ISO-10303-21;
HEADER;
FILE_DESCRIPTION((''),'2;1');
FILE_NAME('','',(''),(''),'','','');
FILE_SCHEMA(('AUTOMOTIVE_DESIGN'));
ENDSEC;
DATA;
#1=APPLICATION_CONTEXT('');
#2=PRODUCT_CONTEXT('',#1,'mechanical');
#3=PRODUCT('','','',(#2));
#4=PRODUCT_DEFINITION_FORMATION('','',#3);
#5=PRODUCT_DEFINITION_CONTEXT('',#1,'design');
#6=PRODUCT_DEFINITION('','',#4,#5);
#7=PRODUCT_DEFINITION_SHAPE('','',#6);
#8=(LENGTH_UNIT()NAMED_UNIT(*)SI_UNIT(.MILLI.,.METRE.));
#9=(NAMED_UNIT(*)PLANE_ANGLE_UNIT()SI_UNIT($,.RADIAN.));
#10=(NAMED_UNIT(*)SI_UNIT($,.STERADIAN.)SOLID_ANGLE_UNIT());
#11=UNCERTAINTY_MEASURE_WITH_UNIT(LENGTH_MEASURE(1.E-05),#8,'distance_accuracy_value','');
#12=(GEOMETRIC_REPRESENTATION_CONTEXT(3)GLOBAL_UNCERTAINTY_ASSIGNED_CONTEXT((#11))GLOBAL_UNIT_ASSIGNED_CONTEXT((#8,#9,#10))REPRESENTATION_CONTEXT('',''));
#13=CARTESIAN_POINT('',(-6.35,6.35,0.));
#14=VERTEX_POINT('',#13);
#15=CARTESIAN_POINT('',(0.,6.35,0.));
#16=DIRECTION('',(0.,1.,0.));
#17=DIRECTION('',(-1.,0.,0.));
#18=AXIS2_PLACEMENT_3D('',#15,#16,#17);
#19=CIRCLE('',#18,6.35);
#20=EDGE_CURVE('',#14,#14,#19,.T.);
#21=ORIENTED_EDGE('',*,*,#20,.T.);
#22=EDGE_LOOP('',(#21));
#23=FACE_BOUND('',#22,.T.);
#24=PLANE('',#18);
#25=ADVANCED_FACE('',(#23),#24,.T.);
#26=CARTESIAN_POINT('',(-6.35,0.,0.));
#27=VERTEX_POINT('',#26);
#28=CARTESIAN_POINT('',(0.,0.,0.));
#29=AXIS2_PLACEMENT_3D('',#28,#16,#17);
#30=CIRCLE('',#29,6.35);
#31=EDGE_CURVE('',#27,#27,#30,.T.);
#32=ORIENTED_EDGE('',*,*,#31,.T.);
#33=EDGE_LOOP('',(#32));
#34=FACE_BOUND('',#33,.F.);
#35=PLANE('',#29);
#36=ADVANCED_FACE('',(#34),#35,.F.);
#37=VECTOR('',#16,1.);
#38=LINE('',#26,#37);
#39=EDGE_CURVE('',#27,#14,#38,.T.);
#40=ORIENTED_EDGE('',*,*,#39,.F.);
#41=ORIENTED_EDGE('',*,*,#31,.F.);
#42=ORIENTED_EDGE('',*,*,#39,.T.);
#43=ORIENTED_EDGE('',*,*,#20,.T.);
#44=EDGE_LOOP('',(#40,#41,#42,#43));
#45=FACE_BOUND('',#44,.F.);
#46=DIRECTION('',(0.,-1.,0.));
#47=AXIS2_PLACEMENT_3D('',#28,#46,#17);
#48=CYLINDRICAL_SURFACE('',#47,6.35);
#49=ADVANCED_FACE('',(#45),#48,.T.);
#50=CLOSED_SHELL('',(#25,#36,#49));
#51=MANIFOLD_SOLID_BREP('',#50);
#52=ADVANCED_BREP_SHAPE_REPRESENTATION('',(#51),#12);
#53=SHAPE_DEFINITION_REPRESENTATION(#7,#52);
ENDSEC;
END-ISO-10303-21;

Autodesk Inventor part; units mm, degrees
ref_plane "YZ Plane" through (0, 0, 0) normal (1, 0, 0) x (0, 1, 0)
ref_plane "XZ Plane" through (0, 0, 0) normal (0, 1, 0) x (-1, 0, 0)
ref_plane "XY Plane" through (0, 0, 0) normal (0, 0, 1) x (1, 0, 0)
sketch "Sketch1" plane through (0, 0, 0) normal (0, 1, 0) x (-1, 0, 0)
  circle A0 centre (0, 0) radius 6.35
  dimension "d0" = 12.7
extrude "Extrusion1" add sketch "Sketch1" along normal blind 6.35
sketch "Sketch2" plane through (0, 6.35, 0) normal (0, 1, 0) x (1, 0, 0)
  point P0 (0, 0)
properties part number "Mirror"
